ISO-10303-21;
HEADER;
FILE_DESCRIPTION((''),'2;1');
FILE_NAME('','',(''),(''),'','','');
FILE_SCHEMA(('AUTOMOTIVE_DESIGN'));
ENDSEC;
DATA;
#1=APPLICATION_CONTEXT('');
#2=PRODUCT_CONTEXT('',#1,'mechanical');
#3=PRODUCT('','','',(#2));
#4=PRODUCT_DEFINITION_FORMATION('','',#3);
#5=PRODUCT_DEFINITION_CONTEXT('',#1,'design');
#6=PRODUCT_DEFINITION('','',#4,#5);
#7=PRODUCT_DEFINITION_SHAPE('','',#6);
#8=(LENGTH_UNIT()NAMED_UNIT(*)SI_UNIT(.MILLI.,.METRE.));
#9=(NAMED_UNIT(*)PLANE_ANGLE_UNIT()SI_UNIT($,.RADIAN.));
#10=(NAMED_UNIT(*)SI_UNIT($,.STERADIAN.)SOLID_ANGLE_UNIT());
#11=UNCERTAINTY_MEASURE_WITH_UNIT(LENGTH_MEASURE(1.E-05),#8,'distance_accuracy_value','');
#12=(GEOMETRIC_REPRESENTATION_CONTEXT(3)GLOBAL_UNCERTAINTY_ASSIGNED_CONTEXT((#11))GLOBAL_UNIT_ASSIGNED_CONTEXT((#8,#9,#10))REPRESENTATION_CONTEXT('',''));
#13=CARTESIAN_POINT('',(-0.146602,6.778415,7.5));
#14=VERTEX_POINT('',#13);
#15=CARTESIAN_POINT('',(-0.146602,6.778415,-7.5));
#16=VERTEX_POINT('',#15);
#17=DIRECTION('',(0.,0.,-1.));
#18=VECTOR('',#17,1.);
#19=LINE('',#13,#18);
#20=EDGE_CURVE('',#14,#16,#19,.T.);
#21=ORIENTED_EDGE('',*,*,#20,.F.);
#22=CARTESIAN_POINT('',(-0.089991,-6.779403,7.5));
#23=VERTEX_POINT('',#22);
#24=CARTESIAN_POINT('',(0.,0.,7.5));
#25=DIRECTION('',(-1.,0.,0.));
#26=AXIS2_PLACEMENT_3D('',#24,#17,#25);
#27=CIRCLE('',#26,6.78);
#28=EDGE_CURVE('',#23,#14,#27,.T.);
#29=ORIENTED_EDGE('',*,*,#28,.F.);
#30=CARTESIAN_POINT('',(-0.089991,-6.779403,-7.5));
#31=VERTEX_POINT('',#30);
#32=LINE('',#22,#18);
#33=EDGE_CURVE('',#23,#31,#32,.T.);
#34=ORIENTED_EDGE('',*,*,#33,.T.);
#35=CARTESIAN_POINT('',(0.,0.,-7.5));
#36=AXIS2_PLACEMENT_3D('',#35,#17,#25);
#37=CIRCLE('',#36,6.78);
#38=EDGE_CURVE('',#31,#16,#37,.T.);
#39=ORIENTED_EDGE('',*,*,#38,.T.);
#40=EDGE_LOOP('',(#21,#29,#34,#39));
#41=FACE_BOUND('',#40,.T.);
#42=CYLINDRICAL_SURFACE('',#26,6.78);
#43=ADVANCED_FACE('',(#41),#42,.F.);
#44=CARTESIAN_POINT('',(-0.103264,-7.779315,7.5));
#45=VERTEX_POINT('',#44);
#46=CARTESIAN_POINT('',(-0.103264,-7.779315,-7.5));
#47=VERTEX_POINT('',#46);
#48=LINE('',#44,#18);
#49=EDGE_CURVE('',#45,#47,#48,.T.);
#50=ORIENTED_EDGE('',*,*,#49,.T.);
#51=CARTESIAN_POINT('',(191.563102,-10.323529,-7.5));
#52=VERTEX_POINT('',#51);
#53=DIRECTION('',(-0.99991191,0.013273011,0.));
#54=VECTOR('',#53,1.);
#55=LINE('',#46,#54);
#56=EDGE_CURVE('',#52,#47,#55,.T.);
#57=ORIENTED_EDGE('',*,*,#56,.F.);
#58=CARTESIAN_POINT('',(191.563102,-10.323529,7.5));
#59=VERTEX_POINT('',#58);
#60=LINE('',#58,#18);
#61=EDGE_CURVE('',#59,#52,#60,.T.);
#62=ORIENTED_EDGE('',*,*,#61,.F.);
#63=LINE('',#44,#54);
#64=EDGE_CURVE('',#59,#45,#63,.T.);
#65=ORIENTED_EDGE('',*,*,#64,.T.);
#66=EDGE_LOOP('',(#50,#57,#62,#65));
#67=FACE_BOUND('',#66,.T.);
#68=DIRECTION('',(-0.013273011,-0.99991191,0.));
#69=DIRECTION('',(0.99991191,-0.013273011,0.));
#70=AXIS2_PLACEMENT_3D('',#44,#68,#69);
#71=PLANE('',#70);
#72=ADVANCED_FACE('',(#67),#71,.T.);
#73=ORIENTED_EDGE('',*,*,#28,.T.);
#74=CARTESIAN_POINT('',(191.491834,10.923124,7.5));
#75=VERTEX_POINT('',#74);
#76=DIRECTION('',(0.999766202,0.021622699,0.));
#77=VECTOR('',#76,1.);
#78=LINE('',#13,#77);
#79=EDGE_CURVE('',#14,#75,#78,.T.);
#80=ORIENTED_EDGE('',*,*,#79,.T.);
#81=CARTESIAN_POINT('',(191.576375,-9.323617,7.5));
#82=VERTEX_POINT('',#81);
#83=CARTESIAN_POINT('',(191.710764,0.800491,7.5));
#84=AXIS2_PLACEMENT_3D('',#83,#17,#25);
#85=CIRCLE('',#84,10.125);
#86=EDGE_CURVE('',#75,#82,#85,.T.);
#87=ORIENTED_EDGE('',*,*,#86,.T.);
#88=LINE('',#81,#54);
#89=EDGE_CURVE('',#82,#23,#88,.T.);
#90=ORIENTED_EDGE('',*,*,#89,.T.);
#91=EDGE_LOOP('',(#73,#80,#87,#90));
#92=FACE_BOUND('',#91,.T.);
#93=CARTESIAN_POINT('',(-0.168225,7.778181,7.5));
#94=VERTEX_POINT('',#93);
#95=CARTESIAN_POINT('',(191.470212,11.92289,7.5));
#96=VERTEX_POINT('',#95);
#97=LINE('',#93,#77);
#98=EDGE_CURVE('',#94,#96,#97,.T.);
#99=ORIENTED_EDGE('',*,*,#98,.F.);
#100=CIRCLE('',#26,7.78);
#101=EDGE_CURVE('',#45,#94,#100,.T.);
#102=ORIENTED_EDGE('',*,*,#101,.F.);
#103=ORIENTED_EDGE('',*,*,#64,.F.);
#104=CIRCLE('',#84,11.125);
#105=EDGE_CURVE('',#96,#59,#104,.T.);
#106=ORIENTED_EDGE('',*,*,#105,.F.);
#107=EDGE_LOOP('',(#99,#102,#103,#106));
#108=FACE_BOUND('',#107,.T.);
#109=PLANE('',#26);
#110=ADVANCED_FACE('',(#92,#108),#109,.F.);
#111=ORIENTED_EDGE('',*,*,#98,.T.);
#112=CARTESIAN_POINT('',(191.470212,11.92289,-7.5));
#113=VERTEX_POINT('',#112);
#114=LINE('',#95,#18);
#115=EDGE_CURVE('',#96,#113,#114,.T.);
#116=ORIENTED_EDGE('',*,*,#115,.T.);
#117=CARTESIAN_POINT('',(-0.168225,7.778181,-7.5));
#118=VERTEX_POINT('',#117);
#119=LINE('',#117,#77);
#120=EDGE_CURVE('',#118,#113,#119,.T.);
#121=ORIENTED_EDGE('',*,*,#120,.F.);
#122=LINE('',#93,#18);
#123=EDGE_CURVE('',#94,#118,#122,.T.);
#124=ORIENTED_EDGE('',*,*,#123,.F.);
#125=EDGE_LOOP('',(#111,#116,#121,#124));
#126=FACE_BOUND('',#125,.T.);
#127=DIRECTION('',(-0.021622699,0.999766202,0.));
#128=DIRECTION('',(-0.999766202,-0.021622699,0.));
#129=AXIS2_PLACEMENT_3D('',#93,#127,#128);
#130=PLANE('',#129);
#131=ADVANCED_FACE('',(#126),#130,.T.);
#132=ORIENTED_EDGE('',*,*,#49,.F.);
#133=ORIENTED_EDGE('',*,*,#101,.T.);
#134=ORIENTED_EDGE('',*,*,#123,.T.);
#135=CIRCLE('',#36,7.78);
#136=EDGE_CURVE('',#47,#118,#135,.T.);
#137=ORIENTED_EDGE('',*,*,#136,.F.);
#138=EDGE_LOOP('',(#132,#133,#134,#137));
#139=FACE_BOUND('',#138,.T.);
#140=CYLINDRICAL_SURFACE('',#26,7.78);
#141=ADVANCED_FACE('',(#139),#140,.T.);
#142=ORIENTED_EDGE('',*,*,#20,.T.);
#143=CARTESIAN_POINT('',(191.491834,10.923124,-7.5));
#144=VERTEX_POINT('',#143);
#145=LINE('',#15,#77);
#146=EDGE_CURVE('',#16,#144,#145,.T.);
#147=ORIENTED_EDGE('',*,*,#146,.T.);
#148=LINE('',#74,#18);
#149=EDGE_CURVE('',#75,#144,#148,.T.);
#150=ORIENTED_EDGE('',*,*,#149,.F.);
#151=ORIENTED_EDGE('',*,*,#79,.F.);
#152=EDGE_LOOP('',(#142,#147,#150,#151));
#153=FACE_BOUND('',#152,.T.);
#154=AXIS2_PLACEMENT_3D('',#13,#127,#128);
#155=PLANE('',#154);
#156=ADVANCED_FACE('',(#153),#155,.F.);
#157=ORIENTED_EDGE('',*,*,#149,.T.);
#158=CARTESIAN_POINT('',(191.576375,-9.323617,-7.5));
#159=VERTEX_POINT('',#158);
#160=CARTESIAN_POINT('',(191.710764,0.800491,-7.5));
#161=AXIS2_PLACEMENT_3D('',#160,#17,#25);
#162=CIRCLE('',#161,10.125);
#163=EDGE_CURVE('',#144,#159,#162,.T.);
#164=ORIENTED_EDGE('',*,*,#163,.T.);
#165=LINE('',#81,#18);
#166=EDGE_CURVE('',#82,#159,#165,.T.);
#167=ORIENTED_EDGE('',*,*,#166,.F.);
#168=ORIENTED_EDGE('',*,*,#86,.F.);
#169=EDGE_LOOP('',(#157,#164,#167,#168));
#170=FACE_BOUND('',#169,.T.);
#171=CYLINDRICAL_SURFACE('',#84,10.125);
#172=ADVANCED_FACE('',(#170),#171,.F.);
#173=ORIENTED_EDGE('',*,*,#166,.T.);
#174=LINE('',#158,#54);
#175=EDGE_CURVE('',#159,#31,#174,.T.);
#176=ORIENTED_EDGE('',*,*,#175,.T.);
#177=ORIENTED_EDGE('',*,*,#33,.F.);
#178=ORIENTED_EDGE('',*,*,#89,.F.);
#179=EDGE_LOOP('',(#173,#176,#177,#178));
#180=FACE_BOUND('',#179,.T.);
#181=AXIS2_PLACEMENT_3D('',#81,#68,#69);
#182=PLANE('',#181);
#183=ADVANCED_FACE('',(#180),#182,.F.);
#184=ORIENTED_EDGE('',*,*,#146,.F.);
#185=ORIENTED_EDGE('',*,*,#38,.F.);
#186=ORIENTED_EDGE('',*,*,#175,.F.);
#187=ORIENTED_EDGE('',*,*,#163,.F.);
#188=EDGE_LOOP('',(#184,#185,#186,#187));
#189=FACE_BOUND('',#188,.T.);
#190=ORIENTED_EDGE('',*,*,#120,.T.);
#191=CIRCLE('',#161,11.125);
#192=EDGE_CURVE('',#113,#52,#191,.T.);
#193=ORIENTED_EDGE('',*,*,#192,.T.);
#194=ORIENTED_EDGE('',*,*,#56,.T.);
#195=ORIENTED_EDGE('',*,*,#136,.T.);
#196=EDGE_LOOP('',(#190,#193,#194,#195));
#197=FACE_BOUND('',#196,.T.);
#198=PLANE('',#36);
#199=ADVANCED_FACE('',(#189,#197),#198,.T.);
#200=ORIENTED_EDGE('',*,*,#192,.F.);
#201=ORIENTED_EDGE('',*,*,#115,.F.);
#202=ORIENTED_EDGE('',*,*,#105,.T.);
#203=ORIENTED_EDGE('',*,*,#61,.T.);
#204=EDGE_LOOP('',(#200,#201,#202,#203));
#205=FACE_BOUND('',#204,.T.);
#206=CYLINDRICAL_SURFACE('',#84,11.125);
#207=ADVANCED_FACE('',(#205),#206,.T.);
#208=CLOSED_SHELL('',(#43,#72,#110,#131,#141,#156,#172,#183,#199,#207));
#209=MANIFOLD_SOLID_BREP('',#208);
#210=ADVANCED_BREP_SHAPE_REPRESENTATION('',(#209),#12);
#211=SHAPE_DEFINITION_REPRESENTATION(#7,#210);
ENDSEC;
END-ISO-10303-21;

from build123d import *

# Parameters (mm, degrees)
EXTRUDE_THIN1_DEPTH = 7.5


with BuildPart() as part:
    # Sketch2 → Extrude-Thin1 (new, symmetric)
    with BuildSketch(Plane.XY):
        with BuildLine():
            Line((191.563102009, -10.323528616), (-0.103264027, -7.779314657))
            ThreePointArc((-0.103264027, -7.779314657), (-7.779932179, -0.032485232), (-0.168224601, 7.778181052))
            Line((-0.168224601, 7.778181052), (191.470211729, 11.922890378))
            ThreePointArc((191.470211729, 11.922890378), (202.835667279, 0.846943591), (191.563102009, -10.323528616))
        make_face()
        with BuildLine():
            Line((191.576375021, -9.323616706), (-0.089991016, -6.779402748))
            ThreePointArc((-0.089991016, -6.779402748), (-6.779940896, -0.028309752), (-0.146601902, 6.77841485))
            Line((-0.146601902, 6.77841485), (191.491834428, 10.923124176))
            ThreePointArc((191.491834428, 10.923124176), (201.835675997, 0.842768112), (191.576375021, -9.323616706))
        make_face(mode=Mode.SUBTRACT)
    extrude(amount=EXTRUDE_THIN1_DEPTH, both=True)


solid = part.part
